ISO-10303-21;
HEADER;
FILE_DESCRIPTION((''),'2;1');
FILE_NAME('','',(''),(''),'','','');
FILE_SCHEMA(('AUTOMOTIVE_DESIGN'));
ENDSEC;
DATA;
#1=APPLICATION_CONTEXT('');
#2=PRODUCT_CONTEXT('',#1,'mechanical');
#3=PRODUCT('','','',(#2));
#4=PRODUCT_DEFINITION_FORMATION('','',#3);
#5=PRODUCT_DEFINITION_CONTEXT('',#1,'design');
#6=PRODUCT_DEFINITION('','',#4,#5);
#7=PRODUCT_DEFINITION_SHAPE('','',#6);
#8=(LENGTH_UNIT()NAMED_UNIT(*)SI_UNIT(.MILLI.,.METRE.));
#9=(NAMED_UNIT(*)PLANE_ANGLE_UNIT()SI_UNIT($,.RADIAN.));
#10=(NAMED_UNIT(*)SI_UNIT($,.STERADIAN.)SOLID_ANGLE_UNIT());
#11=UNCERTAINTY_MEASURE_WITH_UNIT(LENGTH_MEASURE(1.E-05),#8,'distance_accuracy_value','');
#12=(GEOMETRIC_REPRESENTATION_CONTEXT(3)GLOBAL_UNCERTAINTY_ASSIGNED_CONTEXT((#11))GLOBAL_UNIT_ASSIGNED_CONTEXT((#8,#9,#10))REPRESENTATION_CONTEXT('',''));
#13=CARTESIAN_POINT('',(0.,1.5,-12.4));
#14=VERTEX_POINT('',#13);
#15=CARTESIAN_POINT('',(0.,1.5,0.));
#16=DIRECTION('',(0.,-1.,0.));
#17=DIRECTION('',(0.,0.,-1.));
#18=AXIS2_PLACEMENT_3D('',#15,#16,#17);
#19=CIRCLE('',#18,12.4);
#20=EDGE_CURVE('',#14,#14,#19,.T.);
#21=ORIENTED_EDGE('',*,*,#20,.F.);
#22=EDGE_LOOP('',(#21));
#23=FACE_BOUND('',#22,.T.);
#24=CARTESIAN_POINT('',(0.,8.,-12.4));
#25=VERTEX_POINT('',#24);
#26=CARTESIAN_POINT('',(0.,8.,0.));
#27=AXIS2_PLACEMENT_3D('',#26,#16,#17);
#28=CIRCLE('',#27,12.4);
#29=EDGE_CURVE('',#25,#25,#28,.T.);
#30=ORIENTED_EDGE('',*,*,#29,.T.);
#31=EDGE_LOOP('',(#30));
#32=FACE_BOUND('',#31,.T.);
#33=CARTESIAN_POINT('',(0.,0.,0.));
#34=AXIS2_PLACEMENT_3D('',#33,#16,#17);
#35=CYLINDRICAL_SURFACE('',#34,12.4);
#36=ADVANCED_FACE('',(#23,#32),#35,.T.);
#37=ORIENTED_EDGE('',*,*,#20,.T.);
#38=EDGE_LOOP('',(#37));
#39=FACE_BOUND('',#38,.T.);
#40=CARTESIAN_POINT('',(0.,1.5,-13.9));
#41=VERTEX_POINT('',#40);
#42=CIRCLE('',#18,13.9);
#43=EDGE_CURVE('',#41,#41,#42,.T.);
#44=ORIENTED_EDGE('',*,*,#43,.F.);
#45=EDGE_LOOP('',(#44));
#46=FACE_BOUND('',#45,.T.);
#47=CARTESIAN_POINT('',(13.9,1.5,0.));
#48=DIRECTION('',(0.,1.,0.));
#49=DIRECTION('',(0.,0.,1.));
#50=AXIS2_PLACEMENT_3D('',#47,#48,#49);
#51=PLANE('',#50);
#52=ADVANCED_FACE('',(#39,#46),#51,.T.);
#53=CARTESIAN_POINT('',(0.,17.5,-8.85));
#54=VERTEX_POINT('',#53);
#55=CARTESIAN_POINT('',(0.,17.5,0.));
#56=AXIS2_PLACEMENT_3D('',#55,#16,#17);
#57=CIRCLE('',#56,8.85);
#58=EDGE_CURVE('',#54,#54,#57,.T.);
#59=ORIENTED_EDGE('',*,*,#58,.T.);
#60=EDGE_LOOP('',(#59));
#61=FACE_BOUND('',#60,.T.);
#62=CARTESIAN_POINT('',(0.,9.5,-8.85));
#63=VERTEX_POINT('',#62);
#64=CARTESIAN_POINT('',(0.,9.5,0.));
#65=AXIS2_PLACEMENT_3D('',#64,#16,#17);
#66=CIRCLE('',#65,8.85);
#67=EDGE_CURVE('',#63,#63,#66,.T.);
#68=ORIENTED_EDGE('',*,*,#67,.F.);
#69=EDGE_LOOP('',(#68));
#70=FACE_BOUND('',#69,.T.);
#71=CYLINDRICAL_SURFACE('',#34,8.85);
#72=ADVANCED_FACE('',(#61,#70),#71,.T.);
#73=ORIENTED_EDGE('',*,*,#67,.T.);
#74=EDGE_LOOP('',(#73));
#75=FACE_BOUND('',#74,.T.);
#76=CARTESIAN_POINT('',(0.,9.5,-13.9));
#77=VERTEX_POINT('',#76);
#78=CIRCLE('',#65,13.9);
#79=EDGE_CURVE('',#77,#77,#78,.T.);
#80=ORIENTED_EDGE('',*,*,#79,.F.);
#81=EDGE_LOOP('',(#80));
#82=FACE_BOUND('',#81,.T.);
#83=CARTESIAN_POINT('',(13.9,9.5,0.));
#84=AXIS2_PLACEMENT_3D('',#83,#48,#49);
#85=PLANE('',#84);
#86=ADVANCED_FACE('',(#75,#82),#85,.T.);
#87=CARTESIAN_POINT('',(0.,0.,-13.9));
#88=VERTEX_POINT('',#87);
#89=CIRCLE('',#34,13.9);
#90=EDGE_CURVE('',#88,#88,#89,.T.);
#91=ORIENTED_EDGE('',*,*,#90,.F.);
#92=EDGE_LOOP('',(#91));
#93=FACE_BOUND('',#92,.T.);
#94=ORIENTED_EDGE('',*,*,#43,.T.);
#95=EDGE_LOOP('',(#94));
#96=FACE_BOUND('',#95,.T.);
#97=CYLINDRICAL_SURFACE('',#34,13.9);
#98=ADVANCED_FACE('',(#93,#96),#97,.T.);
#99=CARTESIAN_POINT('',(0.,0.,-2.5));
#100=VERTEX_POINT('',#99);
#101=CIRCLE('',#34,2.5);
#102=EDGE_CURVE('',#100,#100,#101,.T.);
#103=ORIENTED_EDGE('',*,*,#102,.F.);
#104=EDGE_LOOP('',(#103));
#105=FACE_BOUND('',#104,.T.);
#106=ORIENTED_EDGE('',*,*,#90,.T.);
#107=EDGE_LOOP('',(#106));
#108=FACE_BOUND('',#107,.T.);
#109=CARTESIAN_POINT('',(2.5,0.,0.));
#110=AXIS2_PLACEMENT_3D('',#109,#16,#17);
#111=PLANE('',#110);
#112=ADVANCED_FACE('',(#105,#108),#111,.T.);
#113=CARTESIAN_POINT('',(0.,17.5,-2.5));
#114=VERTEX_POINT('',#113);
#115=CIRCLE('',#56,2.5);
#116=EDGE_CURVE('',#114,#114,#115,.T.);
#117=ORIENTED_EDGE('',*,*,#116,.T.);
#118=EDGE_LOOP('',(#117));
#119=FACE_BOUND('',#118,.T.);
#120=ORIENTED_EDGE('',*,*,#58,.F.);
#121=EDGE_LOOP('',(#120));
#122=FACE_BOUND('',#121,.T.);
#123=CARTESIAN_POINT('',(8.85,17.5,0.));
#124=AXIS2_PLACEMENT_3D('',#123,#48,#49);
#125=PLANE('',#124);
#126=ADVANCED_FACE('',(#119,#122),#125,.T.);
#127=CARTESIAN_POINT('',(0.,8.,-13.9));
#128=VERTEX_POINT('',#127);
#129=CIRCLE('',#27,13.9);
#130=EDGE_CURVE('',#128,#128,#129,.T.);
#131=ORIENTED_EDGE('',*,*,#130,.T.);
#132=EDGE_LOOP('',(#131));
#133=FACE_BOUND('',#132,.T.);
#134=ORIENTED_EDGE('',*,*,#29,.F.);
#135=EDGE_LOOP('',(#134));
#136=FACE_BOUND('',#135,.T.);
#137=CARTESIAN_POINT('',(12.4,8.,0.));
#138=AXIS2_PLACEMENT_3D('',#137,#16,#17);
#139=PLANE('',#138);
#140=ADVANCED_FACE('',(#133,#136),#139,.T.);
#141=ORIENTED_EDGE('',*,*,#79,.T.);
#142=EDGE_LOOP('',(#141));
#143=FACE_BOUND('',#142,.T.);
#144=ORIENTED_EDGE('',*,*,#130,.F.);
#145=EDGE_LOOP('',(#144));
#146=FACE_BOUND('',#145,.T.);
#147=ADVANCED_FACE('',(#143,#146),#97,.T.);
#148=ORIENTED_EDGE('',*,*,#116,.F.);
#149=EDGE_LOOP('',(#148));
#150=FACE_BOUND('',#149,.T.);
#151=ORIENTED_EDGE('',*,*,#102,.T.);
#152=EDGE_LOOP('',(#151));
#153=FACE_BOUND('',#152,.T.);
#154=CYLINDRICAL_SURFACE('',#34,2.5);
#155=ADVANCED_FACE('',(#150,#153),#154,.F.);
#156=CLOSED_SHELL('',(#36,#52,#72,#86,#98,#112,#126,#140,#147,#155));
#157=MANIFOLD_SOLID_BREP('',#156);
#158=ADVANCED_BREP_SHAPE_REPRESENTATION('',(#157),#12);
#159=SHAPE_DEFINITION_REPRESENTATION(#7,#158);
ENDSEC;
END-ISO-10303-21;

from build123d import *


with BuildPart() as part:
    # Esquisse1 → Révolution1 (revolve)
    with BuildSketch(Plane.XY):
        Polygon((2.5, 0), (13.9, 0), (13.9, 1.5), (12.4, 1.5), (12.4, 8), (13.9, 8), (13.9, 9.5), (8.85, 9.5), (8.85, 17.5), (2.5, 17.5), align=None)
    revolve(axis=Axis((0, 0, 0), (0, 1, 0)))


solid = part.part
